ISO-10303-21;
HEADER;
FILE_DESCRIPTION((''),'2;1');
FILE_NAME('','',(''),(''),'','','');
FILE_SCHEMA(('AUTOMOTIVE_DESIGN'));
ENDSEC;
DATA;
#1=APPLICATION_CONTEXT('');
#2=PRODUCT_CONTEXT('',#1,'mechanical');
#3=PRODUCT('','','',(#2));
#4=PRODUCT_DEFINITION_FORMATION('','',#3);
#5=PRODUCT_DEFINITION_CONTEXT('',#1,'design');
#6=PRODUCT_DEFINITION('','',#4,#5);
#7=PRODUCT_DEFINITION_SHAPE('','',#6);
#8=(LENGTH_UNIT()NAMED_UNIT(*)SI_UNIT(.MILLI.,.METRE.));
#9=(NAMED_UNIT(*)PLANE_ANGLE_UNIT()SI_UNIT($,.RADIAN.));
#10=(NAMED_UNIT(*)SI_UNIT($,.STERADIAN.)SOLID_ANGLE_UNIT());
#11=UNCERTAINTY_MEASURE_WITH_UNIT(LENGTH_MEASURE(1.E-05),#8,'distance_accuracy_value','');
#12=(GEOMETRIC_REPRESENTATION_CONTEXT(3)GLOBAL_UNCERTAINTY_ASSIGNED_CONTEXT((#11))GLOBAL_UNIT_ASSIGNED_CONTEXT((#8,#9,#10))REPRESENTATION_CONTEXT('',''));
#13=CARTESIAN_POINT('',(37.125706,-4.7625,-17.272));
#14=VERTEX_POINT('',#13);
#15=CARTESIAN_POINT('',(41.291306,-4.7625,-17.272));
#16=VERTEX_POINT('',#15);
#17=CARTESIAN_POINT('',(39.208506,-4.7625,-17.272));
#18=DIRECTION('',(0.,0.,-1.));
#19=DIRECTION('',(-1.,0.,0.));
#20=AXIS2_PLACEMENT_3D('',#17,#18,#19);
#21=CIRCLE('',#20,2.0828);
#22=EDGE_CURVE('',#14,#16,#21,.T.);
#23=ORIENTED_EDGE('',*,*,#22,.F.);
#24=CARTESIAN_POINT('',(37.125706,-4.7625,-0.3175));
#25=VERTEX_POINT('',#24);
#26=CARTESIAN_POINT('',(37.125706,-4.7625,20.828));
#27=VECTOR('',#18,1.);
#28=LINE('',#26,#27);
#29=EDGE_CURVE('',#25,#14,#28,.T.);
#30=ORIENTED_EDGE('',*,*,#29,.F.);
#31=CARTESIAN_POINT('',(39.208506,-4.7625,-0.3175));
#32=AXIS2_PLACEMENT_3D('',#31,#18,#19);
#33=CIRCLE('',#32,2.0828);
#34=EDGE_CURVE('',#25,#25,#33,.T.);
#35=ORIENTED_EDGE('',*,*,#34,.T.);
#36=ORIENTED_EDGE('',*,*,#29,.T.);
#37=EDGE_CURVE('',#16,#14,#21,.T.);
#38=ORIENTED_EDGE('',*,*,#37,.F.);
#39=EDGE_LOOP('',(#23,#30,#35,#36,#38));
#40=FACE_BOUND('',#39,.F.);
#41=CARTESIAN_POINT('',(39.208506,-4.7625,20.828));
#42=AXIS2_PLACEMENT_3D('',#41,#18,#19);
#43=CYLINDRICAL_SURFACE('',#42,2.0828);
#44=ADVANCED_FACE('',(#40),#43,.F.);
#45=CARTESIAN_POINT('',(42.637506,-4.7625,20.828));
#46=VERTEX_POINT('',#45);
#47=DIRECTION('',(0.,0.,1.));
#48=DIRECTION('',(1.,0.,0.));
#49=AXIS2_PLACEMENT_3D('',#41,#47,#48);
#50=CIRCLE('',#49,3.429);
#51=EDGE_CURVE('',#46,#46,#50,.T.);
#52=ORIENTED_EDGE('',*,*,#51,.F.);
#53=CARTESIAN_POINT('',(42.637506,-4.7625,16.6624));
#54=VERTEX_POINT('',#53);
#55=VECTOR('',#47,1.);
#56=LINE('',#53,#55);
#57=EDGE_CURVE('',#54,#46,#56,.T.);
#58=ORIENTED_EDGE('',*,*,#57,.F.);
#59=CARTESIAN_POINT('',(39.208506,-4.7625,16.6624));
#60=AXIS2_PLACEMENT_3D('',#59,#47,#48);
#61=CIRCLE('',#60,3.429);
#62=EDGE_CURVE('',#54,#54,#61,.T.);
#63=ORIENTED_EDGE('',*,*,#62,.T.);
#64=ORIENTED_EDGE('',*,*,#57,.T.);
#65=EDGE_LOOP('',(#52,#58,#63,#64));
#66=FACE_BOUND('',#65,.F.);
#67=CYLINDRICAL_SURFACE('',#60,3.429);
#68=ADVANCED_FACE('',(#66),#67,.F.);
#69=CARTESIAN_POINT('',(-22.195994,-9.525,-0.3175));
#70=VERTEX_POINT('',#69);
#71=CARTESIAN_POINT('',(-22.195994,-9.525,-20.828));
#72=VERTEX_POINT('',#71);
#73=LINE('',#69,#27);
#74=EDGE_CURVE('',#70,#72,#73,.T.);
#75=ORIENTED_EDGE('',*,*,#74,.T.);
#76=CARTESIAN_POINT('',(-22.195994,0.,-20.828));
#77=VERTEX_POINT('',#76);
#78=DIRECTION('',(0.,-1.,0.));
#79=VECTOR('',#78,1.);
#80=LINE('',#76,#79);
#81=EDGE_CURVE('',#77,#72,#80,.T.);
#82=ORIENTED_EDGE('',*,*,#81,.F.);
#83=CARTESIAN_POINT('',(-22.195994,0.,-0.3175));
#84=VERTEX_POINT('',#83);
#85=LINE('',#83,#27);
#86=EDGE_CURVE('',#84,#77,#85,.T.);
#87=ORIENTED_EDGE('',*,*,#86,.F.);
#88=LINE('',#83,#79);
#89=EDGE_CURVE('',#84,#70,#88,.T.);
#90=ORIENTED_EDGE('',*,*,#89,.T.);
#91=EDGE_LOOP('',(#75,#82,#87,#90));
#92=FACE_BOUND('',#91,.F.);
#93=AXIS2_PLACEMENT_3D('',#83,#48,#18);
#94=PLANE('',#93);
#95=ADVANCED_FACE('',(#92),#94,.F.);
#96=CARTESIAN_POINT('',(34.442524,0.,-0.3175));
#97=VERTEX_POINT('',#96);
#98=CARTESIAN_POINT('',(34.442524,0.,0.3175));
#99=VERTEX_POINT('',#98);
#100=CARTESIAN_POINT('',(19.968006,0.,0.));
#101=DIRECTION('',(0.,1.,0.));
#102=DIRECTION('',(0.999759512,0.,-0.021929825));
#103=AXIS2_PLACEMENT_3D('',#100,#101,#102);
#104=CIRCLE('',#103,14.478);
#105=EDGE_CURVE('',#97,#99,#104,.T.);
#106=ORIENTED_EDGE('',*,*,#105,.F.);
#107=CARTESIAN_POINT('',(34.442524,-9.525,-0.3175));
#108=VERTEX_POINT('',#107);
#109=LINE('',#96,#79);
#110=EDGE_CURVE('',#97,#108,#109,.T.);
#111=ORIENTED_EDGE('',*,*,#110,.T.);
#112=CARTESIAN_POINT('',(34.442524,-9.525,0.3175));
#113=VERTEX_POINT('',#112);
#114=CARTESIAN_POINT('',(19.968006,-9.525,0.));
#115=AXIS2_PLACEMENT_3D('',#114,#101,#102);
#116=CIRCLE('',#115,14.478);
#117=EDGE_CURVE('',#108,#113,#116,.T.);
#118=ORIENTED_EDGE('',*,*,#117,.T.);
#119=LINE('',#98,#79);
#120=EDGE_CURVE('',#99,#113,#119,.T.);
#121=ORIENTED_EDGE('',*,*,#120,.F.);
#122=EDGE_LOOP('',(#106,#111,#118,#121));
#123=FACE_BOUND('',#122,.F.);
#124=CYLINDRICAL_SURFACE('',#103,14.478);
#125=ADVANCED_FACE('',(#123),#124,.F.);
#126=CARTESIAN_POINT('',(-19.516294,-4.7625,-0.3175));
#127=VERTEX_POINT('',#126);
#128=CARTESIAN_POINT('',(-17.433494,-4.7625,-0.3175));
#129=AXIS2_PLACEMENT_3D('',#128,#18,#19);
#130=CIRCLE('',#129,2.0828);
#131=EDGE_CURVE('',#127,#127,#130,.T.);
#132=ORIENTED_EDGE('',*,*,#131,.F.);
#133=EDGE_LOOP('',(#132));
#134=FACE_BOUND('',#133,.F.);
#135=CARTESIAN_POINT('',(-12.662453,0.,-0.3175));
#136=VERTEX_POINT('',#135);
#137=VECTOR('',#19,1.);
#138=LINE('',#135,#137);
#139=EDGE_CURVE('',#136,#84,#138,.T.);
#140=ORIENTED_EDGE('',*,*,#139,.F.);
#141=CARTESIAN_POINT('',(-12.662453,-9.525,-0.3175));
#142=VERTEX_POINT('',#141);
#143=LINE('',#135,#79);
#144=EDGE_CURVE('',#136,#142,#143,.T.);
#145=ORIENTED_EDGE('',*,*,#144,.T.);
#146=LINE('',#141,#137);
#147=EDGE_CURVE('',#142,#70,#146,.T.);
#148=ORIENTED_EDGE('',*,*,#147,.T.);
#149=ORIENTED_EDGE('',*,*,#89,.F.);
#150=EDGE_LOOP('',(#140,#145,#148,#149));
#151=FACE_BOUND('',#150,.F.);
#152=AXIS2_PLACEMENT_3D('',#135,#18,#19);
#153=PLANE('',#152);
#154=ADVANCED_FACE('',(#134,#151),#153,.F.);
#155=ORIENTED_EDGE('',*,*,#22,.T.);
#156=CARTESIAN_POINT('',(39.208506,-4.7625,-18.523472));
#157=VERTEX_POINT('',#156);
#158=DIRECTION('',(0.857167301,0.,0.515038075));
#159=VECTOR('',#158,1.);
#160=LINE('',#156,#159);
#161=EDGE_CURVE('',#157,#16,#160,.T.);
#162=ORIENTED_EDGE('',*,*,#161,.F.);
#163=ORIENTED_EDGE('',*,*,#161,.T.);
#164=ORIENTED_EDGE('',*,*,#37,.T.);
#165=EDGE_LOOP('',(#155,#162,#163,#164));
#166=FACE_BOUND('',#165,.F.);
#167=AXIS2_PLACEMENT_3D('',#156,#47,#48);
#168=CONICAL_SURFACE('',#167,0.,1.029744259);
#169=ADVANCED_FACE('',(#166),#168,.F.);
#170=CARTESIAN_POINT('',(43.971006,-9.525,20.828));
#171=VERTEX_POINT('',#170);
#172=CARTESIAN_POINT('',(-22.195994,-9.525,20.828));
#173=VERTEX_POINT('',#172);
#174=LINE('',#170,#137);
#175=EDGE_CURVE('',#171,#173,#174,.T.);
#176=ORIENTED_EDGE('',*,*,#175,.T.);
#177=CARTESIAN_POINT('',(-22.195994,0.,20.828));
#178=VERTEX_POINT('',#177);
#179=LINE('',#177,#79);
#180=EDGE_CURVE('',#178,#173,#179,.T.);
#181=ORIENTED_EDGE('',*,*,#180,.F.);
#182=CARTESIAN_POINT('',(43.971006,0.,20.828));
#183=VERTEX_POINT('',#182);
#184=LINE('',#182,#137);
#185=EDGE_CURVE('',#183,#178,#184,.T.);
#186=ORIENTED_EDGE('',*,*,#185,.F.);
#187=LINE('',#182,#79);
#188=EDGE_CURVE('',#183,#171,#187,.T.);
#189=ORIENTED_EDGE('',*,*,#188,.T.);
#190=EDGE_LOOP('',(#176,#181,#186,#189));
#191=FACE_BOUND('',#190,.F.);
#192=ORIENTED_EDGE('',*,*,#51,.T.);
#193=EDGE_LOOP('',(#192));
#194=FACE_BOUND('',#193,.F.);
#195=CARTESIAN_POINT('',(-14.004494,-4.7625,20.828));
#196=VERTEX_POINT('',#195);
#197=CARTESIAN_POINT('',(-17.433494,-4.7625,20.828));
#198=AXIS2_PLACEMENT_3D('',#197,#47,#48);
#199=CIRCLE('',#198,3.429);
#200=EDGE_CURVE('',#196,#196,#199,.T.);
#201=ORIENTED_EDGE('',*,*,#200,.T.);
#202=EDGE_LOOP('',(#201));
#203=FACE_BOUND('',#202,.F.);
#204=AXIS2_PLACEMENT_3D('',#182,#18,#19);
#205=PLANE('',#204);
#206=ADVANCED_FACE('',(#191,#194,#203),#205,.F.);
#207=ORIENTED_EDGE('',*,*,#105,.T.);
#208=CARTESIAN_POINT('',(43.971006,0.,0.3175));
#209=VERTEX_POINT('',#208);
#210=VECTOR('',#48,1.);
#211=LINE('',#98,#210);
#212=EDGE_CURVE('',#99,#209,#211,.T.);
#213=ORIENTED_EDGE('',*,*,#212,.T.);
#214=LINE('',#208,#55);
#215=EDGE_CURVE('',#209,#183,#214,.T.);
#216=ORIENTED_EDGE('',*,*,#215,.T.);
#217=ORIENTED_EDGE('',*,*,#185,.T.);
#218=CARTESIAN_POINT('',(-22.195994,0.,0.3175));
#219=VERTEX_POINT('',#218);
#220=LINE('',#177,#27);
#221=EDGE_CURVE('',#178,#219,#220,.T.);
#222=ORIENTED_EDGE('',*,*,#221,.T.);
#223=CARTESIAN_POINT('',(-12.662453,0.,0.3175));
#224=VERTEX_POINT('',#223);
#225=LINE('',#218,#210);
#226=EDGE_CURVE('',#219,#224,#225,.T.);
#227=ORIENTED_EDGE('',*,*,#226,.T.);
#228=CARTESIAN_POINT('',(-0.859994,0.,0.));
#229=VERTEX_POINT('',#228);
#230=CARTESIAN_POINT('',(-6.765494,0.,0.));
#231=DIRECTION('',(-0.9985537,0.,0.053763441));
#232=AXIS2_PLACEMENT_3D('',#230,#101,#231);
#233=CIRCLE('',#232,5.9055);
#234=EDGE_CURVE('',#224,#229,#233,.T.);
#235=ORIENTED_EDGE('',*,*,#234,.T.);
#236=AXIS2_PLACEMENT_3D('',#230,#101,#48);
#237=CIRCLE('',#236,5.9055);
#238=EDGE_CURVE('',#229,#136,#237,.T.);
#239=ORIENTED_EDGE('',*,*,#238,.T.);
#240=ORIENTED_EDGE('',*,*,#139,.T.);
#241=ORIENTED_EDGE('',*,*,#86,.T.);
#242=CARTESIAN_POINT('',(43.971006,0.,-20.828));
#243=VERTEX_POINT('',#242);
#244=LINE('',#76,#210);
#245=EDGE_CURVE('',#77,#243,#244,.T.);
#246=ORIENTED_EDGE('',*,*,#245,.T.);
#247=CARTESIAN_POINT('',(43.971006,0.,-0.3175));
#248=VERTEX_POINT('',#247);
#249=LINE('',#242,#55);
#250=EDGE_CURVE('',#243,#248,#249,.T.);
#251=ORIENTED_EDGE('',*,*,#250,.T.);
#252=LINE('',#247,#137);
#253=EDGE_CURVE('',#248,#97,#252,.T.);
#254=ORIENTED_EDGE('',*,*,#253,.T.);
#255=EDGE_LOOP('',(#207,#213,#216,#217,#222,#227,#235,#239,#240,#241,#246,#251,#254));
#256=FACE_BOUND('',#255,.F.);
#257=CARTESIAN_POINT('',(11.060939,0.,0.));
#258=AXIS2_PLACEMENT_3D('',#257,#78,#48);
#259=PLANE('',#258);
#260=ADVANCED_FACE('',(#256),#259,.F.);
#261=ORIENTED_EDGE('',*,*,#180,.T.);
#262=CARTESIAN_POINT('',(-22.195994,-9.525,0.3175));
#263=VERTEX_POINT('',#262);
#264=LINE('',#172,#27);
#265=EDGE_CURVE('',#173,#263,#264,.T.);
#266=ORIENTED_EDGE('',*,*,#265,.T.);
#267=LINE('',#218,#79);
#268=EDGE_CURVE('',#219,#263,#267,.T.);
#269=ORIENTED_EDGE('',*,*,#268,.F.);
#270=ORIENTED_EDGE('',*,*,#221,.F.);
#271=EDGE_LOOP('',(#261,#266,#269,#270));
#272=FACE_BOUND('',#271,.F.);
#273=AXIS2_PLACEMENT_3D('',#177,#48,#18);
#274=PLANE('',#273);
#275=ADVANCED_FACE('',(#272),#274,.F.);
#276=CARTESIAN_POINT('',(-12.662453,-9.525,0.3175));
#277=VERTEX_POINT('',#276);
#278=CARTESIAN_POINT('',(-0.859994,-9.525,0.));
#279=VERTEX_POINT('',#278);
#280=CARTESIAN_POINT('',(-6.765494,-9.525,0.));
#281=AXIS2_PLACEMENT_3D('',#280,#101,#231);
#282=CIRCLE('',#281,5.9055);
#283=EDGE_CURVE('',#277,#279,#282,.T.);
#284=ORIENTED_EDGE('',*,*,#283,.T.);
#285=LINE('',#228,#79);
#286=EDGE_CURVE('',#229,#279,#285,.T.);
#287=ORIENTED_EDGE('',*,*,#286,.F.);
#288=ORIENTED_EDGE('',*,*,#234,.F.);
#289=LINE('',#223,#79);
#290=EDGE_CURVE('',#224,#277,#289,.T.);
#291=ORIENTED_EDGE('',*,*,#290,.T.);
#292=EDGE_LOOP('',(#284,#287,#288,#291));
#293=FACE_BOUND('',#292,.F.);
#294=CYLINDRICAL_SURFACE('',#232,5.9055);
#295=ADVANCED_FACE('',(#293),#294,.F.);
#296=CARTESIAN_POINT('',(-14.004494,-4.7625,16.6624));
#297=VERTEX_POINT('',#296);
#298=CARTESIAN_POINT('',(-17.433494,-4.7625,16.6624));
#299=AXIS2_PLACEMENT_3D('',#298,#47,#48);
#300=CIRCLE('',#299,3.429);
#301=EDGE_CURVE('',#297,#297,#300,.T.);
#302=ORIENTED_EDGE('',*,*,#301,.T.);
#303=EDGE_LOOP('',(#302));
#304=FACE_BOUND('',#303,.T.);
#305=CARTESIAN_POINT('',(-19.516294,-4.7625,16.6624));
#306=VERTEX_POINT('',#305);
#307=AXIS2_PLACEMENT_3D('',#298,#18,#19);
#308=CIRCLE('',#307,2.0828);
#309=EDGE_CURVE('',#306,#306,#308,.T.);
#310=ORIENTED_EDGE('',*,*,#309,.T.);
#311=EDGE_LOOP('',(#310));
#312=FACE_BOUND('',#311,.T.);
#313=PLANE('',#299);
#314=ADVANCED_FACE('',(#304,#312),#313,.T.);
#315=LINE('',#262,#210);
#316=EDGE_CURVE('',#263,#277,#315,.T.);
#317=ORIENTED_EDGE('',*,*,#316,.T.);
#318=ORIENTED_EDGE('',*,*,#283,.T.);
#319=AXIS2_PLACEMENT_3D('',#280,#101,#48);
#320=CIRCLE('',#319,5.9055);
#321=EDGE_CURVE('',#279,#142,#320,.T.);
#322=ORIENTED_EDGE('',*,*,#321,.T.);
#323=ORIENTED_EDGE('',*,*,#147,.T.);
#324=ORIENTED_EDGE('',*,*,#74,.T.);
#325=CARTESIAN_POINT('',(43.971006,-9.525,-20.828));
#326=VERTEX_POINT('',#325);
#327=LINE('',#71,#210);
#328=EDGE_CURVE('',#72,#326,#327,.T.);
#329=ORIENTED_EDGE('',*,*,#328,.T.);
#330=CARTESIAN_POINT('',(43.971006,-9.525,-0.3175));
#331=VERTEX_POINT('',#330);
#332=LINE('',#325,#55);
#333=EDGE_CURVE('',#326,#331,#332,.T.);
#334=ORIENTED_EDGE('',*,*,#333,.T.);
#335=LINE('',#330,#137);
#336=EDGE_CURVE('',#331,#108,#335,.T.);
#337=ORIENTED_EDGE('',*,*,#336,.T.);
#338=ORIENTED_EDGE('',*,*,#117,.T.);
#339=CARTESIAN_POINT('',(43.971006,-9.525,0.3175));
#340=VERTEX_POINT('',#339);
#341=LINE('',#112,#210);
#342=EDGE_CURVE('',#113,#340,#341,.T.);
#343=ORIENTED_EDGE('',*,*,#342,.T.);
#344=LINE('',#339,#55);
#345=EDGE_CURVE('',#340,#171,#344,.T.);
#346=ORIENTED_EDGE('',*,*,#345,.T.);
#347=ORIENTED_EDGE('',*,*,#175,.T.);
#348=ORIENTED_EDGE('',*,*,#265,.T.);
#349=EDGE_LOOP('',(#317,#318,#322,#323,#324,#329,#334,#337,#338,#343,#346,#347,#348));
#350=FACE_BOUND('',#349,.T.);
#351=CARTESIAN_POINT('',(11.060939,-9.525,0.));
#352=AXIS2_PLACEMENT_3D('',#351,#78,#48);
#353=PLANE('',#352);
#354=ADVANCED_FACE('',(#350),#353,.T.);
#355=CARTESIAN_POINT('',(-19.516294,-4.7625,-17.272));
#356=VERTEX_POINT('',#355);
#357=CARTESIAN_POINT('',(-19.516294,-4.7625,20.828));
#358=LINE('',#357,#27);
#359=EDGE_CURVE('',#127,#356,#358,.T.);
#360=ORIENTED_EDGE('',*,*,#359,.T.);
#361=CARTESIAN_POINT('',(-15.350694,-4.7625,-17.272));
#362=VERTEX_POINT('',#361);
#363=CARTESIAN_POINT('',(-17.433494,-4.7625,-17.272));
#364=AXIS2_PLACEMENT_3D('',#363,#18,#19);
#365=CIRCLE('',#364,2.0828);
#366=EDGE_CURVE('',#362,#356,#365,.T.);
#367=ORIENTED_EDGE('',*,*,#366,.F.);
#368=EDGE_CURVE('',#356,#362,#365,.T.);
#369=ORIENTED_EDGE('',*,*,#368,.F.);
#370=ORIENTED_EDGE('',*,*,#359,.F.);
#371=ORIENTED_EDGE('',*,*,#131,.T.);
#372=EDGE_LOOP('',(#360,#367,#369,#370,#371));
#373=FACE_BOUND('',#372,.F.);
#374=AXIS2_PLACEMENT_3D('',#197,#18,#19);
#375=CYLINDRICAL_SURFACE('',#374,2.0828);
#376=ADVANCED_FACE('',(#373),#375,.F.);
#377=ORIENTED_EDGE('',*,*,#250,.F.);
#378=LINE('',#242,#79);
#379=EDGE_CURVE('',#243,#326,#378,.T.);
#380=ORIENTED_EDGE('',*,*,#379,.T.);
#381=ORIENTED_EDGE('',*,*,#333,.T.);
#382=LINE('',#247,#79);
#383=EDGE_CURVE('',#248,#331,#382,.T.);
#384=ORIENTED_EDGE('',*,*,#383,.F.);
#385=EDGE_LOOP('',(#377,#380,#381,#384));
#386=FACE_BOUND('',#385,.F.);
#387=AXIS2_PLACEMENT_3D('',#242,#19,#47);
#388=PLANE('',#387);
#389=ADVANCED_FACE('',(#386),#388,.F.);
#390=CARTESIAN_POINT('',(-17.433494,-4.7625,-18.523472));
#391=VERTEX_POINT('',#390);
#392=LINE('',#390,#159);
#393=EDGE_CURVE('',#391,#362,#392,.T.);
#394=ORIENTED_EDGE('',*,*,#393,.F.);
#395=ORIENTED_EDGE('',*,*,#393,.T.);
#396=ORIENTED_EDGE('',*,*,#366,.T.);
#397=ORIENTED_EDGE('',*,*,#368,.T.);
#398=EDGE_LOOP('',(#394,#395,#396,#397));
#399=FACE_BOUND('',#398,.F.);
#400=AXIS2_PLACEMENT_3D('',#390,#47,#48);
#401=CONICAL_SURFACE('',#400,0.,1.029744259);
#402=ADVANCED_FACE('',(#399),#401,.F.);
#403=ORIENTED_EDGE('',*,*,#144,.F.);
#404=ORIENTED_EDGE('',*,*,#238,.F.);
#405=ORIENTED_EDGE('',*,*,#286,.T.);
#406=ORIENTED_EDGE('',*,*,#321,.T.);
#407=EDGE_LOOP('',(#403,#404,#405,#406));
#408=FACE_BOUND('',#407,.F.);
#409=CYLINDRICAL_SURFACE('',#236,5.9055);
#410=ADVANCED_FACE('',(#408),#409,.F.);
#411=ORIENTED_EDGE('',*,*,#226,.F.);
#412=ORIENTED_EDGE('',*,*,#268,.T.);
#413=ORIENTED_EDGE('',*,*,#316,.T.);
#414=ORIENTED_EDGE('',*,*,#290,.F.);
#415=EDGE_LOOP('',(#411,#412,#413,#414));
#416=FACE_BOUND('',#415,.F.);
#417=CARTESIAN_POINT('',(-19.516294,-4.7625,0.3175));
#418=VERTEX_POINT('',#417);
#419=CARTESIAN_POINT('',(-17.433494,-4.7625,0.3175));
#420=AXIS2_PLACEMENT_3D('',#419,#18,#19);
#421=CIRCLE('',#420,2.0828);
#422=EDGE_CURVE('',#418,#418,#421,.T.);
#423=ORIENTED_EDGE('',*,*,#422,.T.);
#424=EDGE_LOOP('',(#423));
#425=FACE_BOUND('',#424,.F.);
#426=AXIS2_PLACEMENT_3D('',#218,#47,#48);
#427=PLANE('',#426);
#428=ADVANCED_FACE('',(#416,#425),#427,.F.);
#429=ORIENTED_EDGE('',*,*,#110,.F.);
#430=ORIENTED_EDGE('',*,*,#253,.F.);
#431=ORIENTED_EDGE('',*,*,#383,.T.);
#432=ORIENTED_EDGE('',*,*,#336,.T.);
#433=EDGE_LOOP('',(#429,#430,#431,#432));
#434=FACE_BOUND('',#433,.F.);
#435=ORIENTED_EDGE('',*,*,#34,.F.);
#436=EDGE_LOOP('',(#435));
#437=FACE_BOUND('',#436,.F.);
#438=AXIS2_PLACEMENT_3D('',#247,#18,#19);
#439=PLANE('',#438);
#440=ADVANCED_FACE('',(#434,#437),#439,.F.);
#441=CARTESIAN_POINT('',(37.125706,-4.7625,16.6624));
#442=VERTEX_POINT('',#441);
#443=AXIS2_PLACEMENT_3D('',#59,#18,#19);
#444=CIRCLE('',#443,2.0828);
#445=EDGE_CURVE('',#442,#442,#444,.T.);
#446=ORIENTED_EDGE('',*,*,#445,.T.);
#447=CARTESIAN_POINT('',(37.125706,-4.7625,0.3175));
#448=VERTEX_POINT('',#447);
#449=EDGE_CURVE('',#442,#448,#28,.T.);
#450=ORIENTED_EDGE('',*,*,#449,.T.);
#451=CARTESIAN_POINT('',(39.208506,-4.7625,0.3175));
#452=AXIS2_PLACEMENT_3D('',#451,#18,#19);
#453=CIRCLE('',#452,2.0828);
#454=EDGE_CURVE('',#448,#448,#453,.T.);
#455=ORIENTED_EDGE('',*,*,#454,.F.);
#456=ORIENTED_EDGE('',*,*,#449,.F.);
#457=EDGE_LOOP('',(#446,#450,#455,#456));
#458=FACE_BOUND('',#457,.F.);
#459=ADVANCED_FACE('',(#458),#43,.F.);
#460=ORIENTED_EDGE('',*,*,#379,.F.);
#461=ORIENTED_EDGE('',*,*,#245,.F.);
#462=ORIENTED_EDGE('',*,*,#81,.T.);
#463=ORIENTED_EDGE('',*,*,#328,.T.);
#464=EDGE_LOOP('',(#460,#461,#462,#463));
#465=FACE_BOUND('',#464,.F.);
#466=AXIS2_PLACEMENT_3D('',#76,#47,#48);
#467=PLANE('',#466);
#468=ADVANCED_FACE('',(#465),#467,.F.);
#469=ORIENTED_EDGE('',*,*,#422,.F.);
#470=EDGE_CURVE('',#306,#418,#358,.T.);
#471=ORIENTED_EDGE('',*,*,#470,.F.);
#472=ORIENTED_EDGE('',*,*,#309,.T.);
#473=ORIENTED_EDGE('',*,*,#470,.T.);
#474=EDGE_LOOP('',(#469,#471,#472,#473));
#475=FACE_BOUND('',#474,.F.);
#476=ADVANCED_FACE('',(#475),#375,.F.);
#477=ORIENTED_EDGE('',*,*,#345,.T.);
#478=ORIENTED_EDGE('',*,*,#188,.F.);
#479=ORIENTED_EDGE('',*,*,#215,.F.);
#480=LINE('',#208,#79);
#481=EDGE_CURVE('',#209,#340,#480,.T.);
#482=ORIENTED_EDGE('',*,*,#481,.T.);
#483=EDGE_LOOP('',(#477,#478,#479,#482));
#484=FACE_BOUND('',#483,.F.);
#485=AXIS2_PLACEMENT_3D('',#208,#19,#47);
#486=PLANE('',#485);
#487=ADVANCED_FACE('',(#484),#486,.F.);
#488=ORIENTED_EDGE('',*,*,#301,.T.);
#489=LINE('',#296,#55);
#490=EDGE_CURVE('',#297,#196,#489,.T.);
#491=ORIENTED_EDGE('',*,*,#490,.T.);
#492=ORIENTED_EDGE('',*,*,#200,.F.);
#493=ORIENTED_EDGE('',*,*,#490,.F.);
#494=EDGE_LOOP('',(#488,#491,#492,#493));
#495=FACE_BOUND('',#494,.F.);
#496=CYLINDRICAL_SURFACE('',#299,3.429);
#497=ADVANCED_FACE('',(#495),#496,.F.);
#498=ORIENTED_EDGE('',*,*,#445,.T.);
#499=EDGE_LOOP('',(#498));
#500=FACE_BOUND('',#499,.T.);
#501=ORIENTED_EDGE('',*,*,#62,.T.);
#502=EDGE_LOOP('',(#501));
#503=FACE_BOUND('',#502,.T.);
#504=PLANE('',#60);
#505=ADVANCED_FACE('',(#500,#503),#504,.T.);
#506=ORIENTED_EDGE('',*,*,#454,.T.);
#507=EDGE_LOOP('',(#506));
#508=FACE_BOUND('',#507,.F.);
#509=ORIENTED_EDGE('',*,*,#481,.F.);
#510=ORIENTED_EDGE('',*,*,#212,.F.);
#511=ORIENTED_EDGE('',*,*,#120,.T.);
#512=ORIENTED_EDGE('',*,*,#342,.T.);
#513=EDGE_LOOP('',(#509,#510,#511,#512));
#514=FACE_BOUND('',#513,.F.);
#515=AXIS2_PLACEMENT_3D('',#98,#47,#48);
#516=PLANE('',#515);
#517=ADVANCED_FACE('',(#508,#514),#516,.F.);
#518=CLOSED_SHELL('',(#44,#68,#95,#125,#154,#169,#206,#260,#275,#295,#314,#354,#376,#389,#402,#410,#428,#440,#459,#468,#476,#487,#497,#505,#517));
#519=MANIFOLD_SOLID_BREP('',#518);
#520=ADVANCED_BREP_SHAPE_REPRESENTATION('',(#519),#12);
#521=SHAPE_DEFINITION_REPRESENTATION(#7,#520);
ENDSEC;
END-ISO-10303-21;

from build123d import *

# Parameters (mm, degrees)
F1_DEPTH       = 9.525
F3_D           = 4.1656
F3_DEPTH       = 38.1
F3_CBORE_D     = 6.858
F3_CBORE_DEPTH = 4.1656
F3_TIP         = 1.2514724973


with BuildPart() as f1:
    # F0 (on Front) → F1 (new body)
    with BuildSketch(Plane.XZ):
        with BuildLine():
            ThreePointArc((-12.6624526696, 0.3175), (-6.6066863612, 5.9033643331), (-0.8599937924, 0))
            ThreePointArc((-0.8599937924, 0), (-6.6066863612, -5.9033643331), (-12.6624526696, -0.3175))
            Line((-12.6624526696, -0.3175), (-22.1959937924, -0.3175))
            Line((-22.1959937924, -0.3175), (-22.1959937924, -20.828))
            Line((-22.1959937924, -20.828), (43.9710062076, -20.828))
            Line((43.9710062076, -20.828), (43.9710062076, -0.3175))
            Line((43.9710062076, -0.3175), (34.4425244293, -0.3175))
            ThreePointArc((34.4425244293, -0.3175), (5.4900062076, 0), (34.4425244293, 0.3175))
            Line((34.4425244293, 0.3175), (43.9710062076, 0.3175))
            Line((43.9710062076, 0.3175), (43.9710062076, 20.828))
            Line((43.9710062076, 20.828), (-22.1959937924, 20.828))
            Line((-22.1959937924, 20.828), (-22.1959937924, 0.3175))
            Line((-22.1959937924, 0.3175), (-12.6624526696, 0.3175))
        make_face()
    extrude(amount=F1_DEPTH)

    # F3
    with Locations(Plane.XY.offset(20.828)):
        with Locations((-17.4334937924, -4.7625), (39.2085062076, -4.7625)):
            CounterBoreHole(F3_D / 2, F3_CBORE_D / 2, F3_CBORE_DEPTH, depth=F3_DEPTH)
            with Locations((0, 0, -(F3_DEPTH + F3_TIP / 2))):  # 118° drill point
                Cone(0, F3_D / 2, F3_TIP, mode=Mode.SUBTRACT)


solid = f1.part
